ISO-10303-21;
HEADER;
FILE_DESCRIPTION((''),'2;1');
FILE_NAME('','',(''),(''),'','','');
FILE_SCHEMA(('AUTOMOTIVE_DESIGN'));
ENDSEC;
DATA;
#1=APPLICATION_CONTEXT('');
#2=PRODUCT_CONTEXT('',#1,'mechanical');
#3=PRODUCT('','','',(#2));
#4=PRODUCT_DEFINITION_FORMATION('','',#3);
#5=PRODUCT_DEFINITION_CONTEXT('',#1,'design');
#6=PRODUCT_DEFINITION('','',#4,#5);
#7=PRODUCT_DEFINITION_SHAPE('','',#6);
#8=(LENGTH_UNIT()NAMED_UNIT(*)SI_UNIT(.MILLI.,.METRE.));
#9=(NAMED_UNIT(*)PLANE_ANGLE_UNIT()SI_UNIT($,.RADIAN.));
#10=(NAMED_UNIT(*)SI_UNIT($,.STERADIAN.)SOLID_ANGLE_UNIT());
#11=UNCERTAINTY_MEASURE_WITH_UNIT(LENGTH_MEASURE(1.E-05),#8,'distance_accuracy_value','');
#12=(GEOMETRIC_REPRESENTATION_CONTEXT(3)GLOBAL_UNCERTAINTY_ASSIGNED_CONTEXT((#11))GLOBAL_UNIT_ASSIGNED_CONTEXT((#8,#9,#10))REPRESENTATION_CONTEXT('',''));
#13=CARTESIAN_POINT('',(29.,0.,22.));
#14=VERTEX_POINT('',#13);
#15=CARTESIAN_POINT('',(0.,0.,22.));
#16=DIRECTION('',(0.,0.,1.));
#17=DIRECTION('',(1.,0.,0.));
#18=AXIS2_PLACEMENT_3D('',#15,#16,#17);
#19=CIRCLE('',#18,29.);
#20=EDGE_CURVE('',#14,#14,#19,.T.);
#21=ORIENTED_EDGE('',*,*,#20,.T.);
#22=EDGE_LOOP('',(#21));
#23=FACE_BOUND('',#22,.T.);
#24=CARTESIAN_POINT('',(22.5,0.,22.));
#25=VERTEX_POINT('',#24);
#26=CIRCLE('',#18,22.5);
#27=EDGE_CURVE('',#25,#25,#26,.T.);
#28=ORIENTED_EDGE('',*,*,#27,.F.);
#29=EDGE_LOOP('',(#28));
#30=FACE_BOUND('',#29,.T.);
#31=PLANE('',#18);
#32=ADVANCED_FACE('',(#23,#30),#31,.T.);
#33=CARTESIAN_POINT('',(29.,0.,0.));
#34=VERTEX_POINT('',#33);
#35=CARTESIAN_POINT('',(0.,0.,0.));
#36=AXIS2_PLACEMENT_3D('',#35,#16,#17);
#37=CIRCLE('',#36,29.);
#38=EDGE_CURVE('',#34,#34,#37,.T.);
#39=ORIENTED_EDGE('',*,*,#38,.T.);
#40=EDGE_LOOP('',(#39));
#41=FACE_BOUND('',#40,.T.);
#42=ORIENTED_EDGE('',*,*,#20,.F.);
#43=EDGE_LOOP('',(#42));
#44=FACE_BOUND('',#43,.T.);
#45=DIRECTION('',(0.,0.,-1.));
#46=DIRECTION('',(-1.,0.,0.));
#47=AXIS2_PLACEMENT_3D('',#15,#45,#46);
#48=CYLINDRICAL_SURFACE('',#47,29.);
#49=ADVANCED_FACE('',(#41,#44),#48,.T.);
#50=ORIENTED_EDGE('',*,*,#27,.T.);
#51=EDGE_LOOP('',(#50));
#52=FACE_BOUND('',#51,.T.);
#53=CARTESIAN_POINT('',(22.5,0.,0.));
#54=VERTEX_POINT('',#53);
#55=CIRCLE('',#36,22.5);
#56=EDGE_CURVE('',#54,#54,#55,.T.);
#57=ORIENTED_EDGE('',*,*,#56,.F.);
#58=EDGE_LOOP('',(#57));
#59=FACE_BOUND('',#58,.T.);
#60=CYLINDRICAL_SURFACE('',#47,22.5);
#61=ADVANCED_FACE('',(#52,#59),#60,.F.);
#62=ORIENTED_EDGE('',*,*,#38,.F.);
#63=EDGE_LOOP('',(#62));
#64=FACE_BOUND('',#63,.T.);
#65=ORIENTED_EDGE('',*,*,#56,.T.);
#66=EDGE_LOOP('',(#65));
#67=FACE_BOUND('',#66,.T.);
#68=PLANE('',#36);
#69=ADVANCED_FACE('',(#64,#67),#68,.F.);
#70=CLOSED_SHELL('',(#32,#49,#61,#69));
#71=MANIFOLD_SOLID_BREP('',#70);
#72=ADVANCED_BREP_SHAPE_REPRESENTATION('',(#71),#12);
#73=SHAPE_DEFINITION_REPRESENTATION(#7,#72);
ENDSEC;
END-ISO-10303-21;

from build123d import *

# Parameters (mm, degrees)
SKETCH_1_R      = 29
SKETCH_1_R_2    = 22.5
EXTRUDE_1_DEPTH = 22


with BuildPart() as part:
    # 草图1 → 凸台-拉伸1 (new body)
    with BuildSketch(Plane.XY):
        Circle(SKETCH_1_R)
        Circle(SKETCH_1_R_2, mode=Mode.SUBTRACT)
    extrude(amount=EXTRUDE_1_DEPTH)


solid = part.part
